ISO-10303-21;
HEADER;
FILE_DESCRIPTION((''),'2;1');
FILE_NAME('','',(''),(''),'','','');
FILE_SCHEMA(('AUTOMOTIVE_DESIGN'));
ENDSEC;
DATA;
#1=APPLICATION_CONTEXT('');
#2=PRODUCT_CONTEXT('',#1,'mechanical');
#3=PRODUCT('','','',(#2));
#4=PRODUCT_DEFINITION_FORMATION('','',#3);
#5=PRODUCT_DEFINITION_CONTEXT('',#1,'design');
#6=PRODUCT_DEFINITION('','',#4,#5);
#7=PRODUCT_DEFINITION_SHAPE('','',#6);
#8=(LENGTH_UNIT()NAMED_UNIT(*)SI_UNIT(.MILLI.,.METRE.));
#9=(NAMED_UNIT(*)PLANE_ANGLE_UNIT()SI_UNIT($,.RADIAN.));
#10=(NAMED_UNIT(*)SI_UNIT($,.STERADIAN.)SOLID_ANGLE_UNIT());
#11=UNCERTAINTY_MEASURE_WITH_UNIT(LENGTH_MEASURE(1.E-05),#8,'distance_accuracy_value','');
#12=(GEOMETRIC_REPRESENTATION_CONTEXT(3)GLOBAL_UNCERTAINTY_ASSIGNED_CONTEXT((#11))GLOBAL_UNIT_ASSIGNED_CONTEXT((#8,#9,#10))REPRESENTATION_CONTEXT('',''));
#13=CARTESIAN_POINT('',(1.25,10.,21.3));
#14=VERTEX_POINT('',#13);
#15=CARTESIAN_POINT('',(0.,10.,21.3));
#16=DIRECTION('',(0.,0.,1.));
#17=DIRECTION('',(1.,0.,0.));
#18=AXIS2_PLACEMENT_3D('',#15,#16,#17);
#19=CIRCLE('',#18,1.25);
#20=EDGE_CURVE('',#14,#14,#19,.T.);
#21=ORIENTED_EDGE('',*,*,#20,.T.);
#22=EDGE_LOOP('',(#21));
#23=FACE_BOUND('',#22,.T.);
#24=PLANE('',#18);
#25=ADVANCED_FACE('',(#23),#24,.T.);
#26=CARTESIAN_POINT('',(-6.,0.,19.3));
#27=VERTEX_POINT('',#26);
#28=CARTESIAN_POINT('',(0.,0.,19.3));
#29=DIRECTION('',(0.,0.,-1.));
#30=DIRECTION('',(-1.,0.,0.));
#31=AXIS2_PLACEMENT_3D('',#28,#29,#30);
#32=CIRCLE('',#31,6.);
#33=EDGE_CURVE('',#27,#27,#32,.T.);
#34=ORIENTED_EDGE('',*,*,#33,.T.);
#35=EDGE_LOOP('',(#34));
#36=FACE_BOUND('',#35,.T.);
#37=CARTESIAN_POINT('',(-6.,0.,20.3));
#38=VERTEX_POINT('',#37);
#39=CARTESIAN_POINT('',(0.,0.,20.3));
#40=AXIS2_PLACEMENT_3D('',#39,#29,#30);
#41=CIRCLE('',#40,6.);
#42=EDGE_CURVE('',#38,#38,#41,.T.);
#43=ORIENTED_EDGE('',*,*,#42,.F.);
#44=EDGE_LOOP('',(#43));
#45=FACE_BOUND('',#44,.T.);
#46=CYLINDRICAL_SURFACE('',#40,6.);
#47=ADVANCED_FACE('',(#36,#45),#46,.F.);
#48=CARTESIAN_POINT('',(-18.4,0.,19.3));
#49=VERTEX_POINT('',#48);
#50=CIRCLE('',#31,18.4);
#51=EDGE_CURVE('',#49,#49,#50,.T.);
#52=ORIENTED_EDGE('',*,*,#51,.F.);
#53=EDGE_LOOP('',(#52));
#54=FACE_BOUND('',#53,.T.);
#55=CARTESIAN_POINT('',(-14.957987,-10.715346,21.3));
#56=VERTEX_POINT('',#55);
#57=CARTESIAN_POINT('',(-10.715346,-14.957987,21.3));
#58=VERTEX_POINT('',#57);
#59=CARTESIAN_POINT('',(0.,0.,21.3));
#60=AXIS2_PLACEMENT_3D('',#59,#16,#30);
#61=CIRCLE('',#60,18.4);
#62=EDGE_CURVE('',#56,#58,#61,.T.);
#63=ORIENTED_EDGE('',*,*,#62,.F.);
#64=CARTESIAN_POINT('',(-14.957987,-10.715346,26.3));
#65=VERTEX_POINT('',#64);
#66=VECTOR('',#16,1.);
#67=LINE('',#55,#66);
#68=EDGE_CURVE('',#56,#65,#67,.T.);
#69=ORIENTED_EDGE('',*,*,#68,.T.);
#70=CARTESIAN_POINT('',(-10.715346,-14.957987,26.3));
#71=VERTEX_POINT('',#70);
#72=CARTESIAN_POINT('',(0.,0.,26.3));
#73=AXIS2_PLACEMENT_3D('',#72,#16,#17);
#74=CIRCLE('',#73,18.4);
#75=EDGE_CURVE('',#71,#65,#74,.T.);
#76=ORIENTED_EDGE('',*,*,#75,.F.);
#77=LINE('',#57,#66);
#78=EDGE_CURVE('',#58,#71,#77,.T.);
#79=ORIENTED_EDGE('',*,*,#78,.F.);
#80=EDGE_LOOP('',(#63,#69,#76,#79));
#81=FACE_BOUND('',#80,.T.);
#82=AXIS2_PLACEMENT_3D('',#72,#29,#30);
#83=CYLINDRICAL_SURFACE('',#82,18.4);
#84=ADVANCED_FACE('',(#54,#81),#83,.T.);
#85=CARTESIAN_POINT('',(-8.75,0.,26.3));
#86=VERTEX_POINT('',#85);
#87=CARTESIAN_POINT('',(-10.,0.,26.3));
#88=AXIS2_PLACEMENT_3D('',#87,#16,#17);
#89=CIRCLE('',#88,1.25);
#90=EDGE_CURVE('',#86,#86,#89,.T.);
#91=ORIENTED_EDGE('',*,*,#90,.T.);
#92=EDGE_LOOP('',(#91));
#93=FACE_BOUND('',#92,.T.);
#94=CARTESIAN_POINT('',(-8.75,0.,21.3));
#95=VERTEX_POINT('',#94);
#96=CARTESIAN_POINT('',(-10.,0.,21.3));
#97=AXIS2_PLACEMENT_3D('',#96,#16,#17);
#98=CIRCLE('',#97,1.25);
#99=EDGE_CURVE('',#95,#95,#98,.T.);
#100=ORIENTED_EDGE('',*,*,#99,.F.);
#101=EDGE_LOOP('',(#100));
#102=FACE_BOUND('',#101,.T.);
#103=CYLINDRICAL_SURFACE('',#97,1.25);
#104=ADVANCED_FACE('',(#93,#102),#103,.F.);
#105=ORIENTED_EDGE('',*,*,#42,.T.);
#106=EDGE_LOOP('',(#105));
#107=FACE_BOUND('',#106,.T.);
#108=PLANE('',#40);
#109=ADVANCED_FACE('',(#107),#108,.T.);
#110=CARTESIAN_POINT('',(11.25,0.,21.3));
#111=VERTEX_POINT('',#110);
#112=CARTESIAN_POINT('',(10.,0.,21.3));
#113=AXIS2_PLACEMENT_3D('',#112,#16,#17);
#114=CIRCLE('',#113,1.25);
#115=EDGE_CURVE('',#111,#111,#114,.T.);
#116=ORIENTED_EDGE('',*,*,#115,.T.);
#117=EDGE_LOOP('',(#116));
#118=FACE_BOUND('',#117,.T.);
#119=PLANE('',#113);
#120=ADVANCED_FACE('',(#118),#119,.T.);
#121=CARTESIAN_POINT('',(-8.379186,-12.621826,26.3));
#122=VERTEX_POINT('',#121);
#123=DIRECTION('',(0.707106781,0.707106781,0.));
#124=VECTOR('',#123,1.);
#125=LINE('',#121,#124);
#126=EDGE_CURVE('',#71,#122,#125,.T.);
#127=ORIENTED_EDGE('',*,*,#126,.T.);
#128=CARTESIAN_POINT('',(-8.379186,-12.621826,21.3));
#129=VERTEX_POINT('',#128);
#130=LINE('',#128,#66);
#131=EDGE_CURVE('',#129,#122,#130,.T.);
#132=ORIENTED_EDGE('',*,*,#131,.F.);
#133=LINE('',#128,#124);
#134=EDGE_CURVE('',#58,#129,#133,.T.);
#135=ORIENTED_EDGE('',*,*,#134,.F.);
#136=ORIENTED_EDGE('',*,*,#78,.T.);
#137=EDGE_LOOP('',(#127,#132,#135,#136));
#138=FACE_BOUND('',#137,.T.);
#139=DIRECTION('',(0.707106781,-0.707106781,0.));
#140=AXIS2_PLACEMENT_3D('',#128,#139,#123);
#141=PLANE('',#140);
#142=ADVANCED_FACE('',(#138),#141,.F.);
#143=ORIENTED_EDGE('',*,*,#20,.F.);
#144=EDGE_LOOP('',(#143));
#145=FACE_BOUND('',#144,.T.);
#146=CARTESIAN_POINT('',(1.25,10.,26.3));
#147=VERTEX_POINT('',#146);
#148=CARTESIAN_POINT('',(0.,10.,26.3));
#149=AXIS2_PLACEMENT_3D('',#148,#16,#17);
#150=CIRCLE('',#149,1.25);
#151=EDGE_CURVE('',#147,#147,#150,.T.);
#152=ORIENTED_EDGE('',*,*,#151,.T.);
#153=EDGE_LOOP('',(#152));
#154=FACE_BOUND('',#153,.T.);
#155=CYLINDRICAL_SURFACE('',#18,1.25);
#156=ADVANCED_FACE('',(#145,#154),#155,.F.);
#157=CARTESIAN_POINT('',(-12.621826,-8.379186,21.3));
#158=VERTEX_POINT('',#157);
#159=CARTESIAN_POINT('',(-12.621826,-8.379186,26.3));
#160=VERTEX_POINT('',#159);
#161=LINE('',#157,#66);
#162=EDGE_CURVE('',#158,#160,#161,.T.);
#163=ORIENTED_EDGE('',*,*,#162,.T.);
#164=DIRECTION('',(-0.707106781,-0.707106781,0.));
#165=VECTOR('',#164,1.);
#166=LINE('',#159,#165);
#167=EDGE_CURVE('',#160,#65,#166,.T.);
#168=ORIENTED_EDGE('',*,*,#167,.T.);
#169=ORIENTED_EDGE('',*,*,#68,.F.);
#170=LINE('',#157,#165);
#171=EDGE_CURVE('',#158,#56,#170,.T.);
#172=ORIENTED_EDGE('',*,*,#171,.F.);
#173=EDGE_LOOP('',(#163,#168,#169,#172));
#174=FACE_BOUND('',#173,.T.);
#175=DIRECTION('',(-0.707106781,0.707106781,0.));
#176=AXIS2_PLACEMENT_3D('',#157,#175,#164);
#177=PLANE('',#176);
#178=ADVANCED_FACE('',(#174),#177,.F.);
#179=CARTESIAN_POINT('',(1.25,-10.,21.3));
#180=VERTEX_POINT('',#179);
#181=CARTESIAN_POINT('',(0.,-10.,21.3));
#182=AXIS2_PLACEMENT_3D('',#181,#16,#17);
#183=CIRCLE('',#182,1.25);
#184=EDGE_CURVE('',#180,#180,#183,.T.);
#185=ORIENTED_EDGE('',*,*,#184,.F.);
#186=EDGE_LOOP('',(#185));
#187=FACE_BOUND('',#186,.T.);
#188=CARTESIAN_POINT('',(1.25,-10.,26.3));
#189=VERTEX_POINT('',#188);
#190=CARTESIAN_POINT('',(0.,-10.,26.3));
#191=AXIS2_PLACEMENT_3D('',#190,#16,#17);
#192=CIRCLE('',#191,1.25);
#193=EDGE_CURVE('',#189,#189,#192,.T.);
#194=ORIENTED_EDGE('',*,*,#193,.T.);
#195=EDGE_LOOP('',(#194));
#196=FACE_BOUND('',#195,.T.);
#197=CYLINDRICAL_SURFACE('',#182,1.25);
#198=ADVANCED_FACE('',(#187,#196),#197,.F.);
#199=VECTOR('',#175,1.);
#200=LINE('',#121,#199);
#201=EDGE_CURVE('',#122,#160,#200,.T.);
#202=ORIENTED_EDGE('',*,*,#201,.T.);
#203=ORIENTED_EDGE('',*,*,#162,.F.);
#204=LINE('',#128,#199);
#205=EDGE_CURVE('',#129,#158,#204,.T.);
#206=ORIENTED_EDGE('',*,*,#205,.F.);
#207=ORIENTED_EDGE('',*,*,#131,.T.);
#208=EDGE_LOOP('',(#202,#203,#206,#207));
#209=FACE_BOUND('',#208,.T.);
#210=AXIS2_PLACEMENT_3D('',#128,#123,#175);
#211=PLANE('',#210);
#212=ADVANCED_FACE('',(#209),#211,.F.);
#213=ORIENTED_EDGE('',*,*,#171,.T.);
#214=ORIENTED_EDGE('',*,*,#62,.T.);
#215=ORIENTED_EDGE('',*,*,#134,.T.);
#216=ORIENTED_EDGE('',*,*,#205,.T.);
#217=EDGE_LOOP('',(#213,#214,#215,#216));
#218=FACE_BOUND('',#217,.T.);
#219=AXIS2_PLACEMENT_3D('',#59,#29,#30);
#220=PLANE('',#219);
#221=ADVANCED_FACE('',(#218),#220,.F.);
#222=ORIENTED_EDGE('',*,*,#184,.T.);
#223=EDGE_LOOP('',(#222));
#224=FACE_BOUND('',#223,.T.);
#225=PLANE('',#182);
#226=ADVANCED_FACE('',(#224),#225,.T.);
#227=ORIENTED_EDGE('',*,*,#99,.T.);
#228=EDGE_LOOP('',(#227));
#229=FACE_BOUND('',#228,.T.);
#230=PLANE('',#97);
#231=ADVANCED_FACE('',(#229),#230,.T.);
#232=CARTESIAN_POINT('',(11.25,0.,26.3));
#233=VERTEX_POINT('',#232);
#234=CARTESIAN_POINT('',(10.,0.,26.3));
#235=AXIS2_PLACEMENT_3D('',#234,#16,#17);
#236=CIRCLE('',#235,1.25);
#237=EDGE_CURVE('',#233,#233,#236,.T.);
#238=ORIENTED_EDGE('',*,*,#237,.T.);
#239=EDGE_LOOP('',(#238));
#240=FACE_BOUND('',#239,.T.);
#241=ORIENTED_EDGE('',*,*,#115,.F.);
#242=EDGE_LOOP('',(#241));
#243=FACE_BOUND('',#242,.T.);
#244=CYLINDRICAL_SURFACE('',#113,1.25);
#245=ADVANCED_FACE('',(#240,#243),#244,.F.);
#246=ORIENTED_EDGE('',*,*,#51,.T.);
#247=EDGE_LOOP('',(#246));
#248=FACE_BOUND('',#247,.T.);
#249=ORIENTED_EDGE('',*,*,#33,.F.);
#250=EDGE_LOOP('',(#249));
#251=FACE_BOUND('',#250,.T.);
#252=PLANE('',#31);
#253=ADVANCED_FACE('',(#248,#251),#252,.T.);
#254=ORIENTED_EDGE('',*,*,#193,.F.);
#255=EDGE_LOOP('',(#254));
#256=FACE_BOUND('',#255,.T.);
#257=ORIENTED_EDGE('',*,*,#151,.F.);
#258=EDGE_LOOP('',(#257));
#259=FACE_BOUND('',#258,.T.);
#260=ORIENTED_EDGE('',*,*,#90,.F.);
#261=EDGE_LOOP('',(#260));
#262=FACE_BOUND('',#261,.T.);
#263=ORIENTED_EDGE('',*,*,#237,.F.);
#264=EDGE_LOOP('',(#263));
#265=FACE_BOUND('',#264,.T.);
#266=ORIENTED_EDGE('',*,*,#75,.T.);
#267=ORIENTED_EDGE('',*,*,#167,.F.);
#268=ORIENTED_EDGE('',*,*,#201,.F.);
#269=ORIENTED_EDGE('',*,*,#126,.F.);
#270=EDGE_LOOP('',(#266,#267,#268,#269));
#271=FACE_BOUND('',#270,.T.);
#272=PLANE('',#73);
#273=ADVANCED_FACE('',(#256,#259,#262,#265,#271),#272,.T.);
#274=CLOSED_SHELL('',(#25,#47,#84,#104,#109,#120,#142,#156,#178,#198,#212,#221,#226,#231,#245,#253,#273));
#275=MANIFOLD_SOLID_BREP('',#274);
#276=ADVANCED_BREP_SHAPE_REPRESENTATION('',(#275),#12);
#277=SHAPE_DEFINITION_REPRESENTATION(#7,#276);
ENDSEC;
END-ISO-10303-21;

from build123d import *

# Parameters (mm, degrees)
CROQUIS1_R              = 18.4
SALIENTE_EXTRUIR1_DEPTH = 26.3
CORTAR_EXTRUIR1_START   = -5
CROQUIS2_R              = 1.25
CORTAR_EXTRUIR1_DEPTH   = 5
CROQUIS3_R              = 1.25
CORTAR_EXTRUIR2_DEPTH   = 5
CROQUIS7_R              = 18.4
CORTAR_EXTRUIR5_DEPTH   = 19.3
CROQUIS8_R              = 6
CORTAR_EXTRUIR6_DEPTH   = 1


with BuildPart() as part:
    # Croquis1 → Saliente-Extruir1 (new body)
    with BuildSketch(Plane.XY):
        Circle(CROQUIS1_R)
    extrude(amount=SALIENTE_EXTRUIR1_DEPTH)

    # Croquis2 → Cortar-Extruir1 (cut)
    with BuildSketch(Plane.XY.offset(26.3).offset(CORTAR_EXTRUIR1_START)):
        with Locations((0, 10)):
            Circle(CROQUIS2_R)
        with Locations((10, 0)):
            Circle(CROQUIS2_R)
        with Locations((0, -10)):
            Circle(CROQUIS2_R)
        with Locations((-10, 0)):
            Circle(CROQUIS2_R)
        with BuildLine():
            Line((-8.379185723, -12.62182641), (-12.62182641, -8.379185723))
            Line((-12.62182641, -8.379185723), (-14.957986577, -10.71534589))
            ThreePointArc((-14.957986577, -10.71534589), (-13.010764774, -13.010764774), (-10.71534589, -14.957986577))
            Line((-10.71534589, -14.957986577), (-8.379185723, -12.62182641))
        make_face()
    extrude(amount=CORTAR_EXTRUIR1_DEPTH, mode=Mode.SUBTRACT)

    # Croquis3 → Cortar-Extruir2 (cut)
    with BuildSketch(Plane(origin=(0, 0, 0), x_dir=(-1, 0, 0), z_dir=(0, 0, -1))):
        with Locations(Location((-10, 0, 0), (0, 0, 180))):
            Circle(CROQUIS3_R)
        with Locations(Location((0, 10, 0), (0, 0, 180))):
            Circle(CROQUIS3_R)
        with Locations(Location((10, 0, 0), (0, 0, 180))):
            Circle(CROQUIS3_R)
        with Locations(Location((0, -10, 0), (0, 0, 180))):
            Circle(CROQUIS3_R)
    extrude(amount=-CORTAR_EXTRUIR2_DEPTH, mode=Mode.SUBTRACT)

    # Croquis7 → Cortar-Extruir5 (cut)
    with BuildSketch(Plane(origin=(0, 0, 0), x_dir=(-1, 0, 0), z_dir=(0, 0, -1))):
        Circle(CROQUIS7_R)
    extrude(amount=-CORTAR_EXTRUIR5_DEPTH, mode=Mode.SUBTRACT)

    # Croquis8 → Cortar-Extruir6 (cut)
    with BuildSketch(Plane(origin=(0, 0, 19.3), x_dir=(-1, 0, 0), z_dir=(0, 0, -1))):
        Circle(CROQUIS8_R)
    extrude(amount=-CORTAR_EXTRUIR6_DEPTH, mode=Mode.SUBTRACT)


solid = part.part
